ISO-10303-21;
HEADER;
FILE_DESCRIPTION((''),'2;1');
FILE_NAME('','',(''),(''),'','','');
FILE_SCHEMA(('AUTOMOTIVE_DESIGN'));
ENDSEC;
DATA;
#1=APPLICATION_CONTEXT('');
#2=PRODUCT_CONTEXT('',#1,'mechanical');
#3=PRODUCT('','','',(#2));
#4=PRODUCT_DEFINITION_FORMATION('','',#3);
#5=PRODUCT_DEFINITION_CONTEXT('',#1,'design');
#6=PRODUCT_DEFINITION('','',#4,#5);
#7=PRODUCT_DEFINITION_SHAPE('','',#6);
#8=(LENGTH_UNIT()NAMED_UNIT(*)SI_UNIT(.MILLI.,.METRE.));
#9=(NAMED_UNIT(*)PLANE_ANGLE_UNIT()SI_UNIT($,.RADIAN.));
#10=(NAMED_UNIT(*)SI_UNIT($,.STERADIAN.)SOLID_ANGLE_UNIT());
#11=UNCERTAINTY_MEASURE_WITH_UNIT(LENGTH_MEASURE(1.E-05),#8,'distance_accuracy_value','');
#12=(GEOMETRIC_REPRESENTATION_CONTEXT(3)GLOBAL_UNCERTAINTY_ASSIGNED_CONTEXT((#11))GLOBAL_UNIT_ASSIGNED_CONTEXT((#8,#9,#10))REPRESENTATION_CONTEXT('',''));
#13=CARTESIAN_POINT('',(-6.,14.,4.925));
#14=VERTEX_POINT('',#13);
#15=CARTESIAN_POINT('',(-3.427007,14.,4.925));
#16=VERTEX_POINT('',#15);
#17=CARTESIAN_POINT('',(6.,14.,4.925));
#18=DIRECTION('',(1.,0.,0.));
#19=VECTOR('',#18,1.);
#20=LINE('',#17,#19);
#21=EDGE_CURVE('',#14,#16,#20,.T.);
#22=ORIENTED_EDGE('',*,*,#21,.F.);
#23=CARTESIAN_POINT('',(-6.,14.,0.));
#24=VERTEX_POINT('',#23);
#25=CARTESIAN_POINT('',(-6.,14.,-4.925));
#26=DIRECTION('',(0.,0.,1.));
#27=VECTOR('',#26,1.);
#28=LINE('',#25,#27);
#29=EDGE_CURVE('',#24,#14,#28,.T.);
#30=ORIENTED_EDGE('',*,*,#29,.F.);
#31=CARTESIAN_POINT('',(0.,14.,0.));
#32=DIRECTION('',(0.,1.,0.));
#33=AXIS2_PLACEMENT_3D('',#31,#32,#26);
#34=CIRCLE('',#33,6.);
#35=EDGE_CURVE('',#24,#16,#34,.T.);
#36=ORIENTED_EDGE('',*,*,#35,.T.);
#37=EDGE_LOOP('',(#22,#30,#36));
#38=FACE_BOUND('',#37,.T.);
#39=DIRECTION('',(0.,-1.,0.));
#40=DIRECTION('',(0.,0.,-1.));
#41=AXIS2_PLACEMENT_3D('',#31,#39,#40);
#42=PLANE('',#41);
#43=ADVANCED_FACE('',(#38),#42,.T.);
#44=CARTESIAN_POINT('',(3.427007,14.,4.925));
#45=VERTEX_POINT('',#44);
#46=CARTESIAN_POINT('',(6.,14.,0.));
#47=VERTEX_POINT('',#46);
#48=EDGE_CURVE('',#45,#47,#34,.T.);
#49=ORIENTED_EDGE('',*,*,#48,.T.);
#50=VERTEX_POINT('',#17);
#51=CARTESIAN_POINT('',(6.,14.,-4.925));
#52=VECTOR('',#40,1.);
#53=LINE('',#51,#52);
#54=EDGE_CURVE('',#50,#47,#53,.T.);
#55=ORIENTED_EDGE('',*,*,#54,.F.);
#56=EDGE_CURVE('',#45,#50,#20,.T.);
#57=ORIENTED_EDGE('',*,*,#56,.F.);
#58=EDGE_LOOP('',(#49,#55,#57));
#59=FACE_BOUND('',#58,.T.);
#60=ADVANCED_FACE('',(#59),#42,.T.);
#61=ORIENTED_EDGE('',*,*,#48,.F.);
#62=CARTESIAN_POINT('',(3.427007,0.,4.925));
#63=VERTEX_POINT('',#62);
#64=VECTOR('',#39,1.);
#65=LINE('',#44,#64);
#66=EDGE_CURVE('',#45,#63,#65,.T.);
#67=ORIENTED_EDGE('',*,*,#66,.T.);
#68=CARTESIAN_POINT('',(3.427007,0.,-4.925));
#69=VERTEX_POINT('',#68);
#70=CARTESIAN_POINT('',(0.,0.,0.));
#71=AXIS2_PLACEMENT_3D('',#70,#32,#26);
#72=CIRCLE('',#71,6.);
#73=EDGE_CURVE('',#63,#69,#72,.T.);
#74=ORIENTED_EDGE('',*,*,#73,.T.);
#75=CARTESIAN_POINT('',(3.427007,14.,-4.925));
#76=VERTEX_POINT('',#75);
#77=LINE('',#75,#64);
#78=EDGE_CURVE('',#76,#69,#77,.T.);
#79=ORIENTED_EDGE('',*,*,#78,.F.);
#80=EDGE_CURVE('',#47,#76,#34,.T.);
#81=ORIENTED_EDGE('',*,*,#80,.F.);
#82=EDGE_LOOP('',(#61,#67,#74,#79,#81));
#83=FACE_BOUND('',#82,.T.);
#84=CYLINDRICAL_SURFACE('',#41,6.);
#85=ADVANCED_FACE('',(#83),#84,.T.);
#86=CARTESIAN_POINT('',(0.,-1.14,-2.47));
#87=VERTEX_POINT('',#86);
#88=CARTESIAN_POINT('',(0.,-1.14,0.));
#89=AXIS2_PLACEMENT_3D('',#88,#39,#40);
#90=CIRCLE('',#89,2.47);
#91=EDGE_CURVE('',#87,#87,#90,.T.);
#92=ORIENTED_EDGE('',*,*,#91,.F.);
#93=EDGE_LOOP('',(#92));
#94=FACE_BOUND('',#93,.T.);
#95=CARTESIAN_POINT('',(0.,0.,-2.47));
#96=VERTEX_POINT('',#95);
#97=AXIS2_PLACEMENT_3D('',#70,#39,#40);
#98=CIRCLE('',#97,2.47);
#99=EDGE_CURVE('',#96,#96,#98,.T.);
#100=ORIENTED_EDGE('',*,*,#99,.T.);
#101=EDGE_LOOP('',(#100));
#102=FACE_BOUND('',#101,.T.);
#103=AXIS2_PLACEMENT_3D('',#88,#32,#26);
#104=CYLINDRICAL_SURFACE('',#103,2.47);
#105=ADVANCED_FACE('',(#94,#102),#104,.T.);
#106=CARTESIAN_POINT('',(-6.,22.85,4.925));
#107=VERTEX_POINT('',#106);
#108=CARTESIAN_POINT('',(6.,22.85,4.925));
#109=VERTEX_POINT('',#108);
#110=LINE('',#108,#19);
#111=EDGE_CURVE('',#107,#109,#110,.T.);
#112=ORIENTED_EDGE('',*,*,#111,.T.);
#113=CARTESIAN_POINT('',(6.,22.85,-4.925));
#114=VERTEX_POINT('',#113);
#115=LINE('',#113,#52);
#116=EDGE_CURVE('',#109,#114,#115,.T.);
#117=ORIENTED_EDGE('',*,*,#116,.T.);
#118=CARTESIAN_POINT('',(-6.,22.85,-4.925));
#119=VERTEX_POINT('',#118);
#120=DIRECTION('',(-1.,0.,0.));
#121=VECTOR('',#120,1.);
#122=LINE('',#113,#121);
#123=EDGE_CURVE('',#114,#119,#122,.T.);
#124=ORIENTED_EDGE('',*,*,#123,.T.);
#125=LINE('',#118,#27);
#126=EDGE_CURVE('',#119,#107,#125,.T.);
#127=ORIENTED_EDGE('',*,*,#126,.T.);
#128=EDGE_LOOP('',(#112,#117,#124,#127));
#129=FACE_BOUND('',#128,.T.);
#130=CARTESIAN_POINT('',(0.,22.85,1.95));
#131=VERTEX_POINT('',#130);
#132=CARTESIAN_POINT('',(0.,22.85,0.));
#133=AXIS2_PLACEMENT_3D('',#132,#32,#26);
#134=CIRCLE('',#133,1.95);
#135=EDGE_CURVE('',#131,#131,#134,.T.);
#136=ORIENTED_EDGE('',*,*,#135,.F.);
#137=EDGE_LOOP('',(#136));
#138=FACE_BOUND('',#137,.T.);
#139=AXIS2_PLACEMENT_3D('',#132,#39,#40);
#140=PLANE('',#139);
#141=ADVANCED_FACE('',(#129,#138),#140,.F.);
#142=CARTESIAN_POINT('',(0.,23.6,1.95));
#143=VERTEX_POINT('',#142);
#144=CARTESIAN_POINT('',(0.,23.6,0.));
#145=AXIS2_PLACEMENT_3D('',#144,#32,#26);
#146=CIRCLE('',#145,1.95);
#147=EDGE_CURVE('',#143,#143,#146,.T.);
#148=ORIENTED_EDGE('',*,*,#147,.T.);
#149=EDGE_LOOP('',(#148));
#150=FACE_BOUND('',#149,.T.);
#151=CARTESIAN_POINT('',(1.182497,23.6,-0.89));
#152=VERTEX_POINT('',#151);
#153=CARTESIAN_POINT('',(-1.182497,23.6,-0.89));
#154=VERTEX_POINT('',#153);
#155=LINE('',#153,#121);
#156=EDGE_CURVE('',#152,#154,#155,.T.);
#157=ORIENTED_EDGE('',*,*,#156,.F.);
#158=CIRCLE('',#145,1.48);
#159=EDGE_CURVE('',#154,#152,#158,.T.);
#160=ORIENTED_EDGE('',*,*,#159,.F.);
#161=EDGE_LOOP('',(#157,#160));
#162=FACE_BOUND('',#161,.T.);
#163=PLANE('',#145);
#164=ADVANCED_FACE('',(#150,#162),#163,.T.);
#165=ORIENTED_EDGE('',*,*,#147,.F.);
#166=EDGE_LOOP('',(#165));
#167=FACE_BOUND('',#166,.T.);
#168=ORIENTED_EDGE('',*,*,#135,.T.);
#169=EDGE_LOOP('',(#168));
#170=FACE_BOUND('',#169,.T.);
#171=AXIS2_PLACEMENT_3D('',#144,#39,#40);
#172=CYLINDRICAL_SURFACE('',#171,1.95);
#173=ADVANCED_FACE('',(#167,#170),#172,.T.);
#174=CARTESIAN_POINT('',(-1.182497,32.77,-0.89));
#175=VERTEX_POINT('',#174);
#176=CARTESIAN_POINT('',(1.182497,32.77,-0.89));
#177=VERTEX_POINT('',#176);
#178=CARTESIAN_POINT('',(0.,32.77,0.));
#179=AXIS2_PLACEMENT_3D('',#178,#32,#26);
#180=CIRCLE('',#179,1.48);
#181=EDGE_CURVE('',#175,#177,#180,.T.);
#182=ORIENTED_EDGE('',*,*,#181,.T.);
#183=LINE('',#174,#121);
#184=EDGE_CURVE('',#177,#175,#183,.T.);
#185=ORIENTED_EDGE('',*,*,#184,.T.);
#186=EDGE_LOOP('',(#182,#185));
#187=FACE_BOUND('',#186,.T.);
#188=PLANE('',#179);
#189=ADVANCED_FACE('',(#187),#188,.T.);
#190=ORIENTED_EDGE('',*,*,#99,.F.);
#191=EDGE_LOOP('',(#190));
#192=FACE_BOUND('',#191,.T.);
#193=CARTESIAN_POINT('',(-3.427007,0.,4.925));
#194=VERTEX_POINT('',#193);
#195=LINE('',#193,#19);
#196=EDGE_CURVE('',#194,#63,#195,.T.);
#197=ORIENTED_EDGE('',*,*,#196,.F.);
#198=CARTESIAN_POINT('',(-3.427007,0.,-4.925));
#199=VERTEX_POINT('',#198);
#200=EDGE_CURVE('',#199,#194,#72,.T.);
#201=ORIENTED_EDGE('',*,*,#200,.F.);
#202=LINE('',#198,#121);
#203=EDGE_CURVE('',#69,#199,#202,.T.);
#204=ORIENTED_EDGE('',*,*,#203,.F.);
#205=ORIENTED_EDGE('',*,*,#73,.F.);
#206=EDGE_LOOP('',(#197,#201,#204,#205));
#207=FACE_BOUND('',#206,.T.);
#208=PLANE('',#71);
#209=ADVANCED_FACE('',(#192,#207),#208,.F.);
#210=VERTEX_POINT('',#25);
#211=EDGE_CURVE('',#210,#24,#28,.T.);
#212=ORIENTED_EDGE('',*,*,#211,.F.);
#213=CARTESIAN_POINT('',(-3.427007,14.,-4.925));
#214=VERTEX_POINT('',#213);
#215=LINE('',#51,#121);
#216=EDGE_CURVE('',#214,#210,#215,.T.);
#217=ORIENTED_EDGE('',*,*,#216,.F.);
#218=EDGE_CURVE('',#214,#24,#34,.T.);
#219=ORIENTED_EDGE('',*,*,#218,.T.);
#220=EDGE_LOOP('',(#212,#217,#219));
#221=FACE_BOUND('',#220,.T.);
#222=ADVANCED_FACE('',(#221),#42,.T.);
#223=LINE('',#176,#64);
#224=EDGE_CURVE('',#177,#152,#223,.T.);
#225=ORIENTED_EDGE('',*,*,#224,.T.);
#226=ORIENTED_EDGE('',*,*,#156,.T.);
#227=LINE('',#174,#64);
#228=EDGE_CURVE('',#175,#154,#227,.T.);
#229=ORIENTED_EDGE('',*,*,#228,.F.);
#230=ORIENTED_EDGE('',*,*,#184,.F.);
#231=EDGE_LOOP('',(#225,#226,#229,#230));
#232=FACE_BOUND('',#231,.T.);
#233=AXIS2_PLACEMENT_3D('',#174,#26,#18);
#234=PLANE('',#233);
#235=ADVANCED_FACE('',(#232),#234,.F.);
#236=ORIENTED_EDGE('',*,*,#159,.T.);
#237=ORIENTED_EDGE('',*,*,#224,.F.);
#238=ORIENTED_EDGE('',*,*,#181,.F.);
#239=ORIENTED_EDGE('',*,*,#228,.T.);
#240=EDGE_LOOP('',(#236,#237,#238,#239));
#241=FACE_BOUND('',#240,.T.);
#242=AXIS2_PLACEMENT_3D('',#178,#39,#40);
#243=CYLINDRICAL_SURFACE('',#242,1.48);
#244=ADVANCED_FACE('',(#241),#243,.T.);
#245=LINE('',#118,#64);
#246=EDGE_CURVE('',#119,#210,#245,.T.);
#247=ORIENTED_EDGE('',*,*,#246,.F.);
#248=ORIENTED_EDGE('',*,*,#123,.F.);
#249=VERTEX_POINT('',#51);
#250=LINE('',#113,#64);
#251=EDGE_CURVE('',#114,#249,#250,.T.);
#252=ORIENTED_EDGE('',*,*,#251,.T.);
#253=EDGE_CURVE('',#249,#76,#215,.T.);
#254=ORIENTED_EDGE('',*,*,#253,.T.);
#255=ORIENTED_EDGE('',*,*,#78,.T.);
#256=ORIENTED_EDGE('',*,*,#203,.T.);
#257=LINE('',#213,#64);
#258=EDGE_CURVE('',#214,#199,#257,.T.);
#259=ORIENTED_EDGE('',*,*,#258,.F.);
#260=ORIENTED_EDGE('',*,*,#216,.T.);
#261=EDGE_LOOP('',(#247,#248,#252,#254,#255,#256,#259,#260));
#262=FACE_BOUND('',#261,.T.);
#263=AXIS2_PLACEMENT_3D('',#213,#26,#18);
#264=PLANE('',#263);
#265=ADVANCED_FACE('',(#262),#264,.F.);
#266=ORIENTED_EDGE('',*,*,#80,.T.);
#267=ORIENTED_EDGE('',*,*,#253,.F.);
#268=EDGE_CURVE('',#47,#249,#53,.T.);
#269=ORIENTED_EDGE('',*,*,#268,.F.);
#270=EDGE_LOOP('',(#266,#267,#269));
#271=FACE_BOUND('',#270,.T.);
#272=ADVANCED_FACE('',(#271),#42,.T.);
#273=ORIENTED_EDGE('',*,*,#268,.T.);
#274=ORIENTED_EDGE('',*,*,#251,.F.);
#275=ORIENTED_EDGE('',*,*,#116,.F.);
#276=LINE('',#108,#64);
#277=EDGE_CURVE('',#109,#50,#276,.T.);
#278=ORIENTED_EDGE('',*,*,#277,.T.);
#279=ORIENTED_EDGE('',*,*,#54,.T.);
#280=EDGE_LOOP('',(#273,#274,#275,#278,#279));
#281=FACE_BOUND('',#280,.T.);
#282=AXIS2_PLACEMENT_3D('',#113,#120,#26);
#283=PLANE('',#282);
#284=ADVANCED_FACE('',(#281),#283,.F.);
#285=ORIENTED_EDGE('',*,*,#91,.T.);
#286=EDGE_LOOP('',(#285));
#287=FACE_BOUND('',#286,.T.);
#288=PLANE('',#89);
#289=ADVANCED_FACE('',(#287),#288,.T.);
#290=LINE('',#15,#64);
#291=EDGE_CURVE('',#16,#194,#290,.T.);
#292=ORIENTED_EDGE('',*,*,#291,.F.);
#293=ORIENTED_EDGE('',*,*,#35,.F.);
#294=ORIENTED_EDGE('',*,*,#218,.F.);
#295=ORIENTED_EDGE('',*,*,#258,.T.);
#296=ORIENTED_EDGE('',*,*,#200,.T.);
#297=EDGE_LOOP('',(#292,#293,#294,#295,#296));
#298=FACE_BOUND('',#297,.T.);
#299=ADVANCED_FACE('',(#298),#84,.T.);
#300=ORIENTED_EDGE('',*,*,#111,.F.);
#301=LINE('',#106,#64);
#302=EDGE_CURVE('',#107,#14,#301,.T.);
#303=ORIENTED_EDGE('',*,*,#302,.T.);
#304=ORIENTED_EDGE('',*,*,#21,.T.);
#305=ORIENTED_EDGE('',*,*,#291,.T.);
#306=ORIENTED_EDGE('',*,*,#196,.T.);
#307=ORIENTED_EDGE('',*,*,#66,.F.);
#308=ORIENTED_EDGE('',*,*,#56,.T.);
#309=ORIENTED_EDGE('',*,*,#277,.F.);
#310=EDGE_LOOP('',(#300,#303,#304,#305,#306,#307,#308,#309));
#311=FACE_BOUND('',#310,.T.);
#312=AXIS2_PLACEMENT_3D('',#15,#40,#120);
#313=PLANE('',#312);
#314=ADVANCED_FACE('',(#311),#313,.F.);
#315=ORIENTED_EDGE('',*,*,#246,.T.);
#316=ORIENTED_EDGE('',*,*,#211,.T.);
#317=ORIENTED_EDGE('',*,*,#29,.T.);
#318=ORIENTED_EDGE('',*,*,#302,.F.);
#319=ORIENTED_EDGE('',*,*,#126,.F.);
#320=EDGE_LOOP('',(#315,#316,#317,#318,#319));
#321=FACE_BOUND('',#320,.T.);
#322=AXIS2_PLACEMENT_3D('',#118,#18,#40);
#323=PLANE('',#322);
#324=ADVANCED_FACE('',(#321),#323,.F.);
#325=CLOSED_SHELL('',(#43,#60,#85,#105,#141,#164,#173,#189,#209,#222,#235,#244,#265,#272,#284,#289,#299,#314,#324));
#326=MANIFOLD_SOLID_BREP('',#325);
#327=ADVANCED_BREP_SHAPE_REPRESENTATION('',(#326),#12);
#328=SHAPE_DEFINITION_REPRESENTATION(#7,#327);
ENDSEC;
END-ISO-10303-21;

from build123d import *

# Parameters (mm, degrees)
BOSS_EXTRUDE1_DEPTH = 14
SKETCH3_W           = 12
SKETCH3_H           = 9.85
BOSS_EXTRUDE2_DEPTH = 8.85
SKETCH4_R           = 1.95
BOSS_EXTRUDE3_DEPTH = 0.75
BOSS_EXTRUDE4_DEPTH = 9.17
SKETCH6_R           = 2.47
BOSS_EXTRUDE5_DEPTH = 1.14


with BuildPart() as part:
    # Sketch2 → Boss-Extrude1 (new body)
    with BuildSketch(Plane(origin=(0, 0, 0), x_dir=(1, 0, 0), z_dir=(0, 1, 0))):
        with BuildLine():
            Line((-3.427006711, 4.925), (3.427006711, 4.925))
            ThreePointArc((3.427006711, 4.925), (6, 0), (3.427006711, -4.925))
            Line((3.427006711, -4.925), (-3.427006711, -4.925))
            ThreePointArc((-3.427006711, -4.925), (-6, 0), (-3.427006711, 4.925))
        make_face()
    extrude(amount=BOSS_EXTRUDE1_DEPTH)

    # Sketch3 → Boss-Extrude2 (add)
    with BuildSketch(Plane(origin=(0, 14, 0), x_dir=(1, 0, 0), z_dir=(0, 1, 0))):
        Rectangle(SKETCH3_W, SKETCH3_H)
    extrude(amount=BOSS_EXTRUDE2_DEPTH)

    # Sketch4 → Boss-Extrude3 (add)
    with BuildSketch(Plane(origin=(0, 22.85, 0), x_dir=(1, 0, 0), z_dir=(0, 1, 0))):
        Circle(SKETCH4_R)
    extrude(amount=BOSS_EXTRUDE3_DEPTH)

    # Sketch5 → Boss-Extrude4 (add)
    with BuildSketch(Plane(origin=(0, 23.6, 0), x_dir=(1, 0, 0), z_dir=(0, 1, 0))):
        with BuildLine():
            Line((-1.182497357, 0.89), (1.182497357, 0.89))
            ThreePointArc((1.182497357, 0.89), (0, -1.48), (-1.182497357, 0.89))
        make_face()
    extrude(amount=BOSS_EXTRUDE4_DEPTH)

    # Sketch6 → Boss-Extrude5 (add)
    with BuildSketch(Plane.XZ):
        Circle(SKETCH6_R)
    extrude(amount=BOSS_EXTRUDE5_DEPTH)


solid = part.part
